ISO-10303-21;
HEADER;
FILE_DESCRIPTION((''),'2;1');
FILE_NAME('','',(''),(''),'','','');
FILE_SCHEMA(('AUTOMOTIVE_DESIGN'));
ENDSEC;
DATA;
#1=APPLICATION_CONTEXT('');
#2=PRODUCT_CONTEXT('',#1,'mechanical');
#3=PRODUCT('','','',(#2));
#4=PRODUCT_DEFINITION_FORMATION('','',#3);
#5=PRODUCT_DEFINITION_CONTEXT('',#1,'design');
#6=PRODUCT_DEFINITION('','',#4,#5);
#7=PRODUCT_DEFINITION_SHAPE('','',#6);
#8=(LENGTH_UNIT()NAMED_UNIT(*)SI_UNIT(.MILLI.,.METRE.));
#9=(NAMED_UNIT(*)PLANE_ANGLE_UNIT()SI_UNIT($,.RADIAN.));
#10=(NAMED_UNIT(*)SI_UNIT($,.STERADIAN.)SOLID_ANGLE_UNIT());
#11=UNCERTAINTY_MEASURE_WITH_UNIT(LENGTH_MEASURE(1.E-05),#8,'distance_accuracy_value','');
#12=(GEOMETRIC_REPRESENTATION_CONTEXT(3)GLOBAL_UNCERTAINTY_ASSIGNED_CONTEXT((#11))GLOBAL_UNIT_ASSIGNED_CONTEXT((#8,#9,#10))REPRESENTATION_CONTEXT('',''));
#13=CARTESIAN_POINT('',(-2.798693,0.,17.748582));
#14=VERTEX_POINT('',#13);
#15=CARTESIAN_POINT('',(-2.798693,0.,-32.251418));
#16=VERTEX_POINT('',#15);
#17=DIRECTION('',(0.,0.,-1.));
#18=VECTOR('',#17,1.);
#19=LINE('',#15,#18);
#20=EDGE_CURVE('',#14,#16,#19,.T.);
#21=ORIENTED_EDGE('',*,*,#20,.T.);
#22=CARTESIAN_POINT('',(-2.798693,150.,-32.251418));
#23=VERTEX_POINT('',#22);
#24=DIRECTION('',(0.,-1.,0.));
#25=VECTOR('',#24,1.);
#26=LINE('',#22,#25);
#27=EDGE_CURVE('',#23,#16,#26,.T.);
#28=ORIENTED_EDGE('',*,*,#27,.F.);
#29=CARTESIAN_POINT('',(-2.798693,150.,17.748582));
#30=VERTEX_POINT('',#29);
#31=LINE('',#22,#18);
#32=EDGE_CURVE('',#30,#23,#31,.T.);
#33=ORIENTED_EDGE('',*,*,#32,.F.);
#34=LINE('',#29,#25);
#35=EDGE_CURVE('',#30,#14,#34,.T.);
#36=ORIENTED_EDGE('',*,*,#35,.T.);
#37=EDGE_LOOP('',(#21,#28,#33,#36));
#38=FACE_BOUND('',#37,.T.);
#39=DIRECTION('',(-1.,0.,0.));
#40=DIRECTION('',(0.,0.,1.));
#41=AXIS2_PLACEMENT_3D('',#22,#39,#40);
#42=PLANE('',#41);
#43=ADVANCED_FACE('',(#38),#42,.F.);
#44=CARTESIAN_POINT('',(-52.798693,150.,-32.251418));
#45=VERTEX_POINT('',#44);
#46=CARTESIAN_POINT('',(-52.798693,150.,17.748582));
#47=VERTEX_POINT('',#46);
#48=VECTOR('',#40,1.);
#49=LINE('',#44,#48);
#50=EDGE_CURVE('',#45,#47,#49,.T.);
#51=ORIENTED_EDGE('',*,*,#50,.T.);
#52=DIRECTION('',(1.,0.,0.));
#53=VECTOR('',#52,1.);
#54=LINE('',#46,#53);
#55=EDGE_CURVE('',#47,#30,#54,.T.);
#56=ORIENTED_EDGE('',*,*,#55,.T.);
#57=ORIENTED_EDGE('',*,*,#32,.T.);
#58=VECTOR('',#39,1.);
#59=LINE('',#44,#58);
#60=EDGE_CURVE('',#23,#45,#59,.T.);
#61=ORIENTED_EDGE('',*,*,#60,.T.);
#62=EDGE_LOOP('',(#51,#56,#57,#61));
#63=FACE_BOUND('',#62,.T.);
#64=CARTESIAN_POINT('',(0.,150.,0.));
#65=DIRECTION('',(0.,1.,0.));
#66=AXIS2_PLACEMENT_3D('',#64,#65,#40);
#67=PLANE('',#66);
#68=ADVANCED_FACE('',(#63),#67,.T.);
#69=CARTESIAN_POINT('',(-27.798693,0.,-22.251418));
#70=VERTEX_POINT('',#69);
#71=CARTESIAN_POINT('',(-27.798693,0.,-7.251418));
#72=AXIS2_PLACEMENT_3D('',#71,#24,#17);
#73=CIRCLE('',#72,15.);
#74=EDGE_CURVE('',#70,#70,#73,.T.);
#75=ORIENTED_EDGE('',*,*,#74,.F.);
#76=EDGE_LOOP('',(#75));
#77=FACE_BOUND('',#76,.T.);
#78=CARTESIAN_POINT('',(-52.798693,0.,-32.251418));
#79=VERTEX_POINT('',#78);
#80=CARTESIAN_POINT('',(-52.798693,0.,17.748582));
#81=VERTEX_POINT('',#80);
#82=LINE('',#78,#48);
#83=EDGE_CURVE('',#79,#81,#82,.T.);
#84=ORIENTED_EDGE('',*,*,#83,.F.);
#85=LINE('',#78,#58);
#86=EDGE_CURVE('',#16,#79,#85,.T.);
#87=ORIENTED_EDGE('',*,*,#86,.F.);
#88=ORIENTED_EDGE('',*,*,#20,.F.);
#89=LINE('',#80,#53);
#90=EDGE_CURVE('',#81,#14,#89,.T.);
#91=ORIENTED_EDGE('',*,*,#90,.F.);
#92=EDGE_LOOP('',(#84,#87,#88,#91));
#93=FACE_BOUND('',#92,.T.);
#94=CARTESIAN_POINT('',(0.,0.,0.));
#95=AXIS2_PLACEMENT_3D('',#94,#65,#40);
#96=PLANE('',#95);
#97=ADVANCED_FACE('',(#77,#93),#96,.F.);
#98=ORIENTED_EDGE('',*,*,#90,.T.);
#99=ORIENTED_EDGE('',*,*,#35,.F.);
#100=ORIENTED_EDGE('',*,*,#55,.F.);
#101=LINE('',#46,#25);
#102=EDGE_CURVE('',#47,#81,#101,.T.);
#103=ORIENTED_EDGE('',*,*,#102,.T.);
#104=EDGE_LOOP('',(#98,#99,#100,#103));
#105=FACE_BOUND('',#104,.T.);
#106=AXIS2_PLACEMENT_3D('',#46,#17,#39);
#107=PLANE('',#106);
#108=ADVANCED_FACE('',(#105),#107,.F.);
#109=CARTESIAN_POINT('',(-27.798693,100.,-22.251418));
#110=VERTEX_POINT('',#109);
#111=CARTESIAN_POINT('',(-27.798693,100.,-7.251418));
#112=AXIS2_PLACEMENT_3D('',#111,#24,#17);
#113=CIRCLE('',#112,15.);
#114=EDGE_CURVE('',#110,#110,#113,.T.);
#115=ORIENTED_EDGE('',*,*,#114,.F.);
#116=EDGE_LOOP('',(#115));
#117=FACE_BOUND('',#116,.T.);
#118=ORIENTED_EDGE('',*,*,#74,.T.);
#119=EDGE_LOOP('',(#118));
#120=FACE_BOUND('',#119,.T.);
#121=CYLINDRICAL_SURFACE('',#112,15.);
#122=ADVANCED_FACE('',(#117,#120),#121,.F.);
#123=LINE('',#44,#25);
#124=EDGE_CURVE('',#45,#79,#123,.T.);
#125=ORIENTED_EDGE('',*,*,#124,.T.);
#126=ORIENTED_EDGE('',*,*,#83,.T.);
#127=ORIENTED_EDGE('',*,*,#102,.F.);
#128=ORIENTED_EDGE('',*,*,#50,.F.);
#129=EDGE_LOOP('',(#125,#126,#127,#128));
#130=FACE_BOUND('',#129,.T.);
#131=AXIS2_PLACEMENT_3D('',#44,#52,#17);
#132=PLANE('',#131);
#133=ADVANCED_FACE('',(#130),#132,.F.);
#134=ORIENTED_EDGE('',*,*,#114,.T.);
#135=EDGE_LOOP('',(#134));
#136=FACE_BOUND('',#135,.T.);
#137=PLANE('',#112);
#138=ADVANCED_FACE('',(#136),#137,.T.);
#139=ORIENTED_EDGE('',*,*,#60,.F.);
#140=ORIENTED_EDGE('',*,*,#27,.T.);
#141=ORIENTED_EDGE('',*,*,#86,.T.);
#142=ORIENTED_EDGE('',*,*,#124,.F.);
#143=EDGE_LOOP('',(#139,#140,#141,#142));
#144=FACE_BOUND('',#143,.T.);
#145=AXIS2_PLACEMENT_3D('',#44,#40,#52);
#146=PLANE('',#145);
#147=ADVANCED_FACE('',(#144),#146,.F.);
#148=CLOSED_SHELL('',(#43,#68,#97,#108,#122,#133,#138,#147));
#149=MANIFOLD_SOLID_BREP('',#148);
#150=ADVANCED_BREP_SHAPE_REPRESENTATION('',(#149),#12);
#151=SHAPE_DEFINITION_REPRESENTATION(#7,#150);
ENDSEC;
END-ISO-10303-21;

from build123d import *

# Parameters (mm, degrees)
SKETCH1_W           = 50
SKETCH1_H           = 50
BOSS_EXTRUDE1_DEPTH = 150
SKETCH2_R           = 15
CUT_EXTRUDE1_DEPTH  = 100


with BuildPart() as part:
    # Sketch1 → Boss-Extrude1 (new body)
    with BuildSketch(Plane(origin=(0, 0, 0), x_dir=(1, 0, 0), z_dir=(0, 1, 0))):
        with Locations((-27.798692914, 7.251418332)):
            Rectangle(SKETCH1_W, SKETCH1_H)
    extrude(amount=BOSS_EXTRUDE1_DEPTH)

    # Sketch2 → Cut-Extrude1 (cut)
    with BuildSketch(Plane.XZ):
        with Locations((-27.798692914, -7.251418332)):
            Circle(SKETCH2_R)
    extrude(amount=-CUT_EXTRUDE1_DEPTH, mode=Mode.SUBTRACT)


solid = part.part
